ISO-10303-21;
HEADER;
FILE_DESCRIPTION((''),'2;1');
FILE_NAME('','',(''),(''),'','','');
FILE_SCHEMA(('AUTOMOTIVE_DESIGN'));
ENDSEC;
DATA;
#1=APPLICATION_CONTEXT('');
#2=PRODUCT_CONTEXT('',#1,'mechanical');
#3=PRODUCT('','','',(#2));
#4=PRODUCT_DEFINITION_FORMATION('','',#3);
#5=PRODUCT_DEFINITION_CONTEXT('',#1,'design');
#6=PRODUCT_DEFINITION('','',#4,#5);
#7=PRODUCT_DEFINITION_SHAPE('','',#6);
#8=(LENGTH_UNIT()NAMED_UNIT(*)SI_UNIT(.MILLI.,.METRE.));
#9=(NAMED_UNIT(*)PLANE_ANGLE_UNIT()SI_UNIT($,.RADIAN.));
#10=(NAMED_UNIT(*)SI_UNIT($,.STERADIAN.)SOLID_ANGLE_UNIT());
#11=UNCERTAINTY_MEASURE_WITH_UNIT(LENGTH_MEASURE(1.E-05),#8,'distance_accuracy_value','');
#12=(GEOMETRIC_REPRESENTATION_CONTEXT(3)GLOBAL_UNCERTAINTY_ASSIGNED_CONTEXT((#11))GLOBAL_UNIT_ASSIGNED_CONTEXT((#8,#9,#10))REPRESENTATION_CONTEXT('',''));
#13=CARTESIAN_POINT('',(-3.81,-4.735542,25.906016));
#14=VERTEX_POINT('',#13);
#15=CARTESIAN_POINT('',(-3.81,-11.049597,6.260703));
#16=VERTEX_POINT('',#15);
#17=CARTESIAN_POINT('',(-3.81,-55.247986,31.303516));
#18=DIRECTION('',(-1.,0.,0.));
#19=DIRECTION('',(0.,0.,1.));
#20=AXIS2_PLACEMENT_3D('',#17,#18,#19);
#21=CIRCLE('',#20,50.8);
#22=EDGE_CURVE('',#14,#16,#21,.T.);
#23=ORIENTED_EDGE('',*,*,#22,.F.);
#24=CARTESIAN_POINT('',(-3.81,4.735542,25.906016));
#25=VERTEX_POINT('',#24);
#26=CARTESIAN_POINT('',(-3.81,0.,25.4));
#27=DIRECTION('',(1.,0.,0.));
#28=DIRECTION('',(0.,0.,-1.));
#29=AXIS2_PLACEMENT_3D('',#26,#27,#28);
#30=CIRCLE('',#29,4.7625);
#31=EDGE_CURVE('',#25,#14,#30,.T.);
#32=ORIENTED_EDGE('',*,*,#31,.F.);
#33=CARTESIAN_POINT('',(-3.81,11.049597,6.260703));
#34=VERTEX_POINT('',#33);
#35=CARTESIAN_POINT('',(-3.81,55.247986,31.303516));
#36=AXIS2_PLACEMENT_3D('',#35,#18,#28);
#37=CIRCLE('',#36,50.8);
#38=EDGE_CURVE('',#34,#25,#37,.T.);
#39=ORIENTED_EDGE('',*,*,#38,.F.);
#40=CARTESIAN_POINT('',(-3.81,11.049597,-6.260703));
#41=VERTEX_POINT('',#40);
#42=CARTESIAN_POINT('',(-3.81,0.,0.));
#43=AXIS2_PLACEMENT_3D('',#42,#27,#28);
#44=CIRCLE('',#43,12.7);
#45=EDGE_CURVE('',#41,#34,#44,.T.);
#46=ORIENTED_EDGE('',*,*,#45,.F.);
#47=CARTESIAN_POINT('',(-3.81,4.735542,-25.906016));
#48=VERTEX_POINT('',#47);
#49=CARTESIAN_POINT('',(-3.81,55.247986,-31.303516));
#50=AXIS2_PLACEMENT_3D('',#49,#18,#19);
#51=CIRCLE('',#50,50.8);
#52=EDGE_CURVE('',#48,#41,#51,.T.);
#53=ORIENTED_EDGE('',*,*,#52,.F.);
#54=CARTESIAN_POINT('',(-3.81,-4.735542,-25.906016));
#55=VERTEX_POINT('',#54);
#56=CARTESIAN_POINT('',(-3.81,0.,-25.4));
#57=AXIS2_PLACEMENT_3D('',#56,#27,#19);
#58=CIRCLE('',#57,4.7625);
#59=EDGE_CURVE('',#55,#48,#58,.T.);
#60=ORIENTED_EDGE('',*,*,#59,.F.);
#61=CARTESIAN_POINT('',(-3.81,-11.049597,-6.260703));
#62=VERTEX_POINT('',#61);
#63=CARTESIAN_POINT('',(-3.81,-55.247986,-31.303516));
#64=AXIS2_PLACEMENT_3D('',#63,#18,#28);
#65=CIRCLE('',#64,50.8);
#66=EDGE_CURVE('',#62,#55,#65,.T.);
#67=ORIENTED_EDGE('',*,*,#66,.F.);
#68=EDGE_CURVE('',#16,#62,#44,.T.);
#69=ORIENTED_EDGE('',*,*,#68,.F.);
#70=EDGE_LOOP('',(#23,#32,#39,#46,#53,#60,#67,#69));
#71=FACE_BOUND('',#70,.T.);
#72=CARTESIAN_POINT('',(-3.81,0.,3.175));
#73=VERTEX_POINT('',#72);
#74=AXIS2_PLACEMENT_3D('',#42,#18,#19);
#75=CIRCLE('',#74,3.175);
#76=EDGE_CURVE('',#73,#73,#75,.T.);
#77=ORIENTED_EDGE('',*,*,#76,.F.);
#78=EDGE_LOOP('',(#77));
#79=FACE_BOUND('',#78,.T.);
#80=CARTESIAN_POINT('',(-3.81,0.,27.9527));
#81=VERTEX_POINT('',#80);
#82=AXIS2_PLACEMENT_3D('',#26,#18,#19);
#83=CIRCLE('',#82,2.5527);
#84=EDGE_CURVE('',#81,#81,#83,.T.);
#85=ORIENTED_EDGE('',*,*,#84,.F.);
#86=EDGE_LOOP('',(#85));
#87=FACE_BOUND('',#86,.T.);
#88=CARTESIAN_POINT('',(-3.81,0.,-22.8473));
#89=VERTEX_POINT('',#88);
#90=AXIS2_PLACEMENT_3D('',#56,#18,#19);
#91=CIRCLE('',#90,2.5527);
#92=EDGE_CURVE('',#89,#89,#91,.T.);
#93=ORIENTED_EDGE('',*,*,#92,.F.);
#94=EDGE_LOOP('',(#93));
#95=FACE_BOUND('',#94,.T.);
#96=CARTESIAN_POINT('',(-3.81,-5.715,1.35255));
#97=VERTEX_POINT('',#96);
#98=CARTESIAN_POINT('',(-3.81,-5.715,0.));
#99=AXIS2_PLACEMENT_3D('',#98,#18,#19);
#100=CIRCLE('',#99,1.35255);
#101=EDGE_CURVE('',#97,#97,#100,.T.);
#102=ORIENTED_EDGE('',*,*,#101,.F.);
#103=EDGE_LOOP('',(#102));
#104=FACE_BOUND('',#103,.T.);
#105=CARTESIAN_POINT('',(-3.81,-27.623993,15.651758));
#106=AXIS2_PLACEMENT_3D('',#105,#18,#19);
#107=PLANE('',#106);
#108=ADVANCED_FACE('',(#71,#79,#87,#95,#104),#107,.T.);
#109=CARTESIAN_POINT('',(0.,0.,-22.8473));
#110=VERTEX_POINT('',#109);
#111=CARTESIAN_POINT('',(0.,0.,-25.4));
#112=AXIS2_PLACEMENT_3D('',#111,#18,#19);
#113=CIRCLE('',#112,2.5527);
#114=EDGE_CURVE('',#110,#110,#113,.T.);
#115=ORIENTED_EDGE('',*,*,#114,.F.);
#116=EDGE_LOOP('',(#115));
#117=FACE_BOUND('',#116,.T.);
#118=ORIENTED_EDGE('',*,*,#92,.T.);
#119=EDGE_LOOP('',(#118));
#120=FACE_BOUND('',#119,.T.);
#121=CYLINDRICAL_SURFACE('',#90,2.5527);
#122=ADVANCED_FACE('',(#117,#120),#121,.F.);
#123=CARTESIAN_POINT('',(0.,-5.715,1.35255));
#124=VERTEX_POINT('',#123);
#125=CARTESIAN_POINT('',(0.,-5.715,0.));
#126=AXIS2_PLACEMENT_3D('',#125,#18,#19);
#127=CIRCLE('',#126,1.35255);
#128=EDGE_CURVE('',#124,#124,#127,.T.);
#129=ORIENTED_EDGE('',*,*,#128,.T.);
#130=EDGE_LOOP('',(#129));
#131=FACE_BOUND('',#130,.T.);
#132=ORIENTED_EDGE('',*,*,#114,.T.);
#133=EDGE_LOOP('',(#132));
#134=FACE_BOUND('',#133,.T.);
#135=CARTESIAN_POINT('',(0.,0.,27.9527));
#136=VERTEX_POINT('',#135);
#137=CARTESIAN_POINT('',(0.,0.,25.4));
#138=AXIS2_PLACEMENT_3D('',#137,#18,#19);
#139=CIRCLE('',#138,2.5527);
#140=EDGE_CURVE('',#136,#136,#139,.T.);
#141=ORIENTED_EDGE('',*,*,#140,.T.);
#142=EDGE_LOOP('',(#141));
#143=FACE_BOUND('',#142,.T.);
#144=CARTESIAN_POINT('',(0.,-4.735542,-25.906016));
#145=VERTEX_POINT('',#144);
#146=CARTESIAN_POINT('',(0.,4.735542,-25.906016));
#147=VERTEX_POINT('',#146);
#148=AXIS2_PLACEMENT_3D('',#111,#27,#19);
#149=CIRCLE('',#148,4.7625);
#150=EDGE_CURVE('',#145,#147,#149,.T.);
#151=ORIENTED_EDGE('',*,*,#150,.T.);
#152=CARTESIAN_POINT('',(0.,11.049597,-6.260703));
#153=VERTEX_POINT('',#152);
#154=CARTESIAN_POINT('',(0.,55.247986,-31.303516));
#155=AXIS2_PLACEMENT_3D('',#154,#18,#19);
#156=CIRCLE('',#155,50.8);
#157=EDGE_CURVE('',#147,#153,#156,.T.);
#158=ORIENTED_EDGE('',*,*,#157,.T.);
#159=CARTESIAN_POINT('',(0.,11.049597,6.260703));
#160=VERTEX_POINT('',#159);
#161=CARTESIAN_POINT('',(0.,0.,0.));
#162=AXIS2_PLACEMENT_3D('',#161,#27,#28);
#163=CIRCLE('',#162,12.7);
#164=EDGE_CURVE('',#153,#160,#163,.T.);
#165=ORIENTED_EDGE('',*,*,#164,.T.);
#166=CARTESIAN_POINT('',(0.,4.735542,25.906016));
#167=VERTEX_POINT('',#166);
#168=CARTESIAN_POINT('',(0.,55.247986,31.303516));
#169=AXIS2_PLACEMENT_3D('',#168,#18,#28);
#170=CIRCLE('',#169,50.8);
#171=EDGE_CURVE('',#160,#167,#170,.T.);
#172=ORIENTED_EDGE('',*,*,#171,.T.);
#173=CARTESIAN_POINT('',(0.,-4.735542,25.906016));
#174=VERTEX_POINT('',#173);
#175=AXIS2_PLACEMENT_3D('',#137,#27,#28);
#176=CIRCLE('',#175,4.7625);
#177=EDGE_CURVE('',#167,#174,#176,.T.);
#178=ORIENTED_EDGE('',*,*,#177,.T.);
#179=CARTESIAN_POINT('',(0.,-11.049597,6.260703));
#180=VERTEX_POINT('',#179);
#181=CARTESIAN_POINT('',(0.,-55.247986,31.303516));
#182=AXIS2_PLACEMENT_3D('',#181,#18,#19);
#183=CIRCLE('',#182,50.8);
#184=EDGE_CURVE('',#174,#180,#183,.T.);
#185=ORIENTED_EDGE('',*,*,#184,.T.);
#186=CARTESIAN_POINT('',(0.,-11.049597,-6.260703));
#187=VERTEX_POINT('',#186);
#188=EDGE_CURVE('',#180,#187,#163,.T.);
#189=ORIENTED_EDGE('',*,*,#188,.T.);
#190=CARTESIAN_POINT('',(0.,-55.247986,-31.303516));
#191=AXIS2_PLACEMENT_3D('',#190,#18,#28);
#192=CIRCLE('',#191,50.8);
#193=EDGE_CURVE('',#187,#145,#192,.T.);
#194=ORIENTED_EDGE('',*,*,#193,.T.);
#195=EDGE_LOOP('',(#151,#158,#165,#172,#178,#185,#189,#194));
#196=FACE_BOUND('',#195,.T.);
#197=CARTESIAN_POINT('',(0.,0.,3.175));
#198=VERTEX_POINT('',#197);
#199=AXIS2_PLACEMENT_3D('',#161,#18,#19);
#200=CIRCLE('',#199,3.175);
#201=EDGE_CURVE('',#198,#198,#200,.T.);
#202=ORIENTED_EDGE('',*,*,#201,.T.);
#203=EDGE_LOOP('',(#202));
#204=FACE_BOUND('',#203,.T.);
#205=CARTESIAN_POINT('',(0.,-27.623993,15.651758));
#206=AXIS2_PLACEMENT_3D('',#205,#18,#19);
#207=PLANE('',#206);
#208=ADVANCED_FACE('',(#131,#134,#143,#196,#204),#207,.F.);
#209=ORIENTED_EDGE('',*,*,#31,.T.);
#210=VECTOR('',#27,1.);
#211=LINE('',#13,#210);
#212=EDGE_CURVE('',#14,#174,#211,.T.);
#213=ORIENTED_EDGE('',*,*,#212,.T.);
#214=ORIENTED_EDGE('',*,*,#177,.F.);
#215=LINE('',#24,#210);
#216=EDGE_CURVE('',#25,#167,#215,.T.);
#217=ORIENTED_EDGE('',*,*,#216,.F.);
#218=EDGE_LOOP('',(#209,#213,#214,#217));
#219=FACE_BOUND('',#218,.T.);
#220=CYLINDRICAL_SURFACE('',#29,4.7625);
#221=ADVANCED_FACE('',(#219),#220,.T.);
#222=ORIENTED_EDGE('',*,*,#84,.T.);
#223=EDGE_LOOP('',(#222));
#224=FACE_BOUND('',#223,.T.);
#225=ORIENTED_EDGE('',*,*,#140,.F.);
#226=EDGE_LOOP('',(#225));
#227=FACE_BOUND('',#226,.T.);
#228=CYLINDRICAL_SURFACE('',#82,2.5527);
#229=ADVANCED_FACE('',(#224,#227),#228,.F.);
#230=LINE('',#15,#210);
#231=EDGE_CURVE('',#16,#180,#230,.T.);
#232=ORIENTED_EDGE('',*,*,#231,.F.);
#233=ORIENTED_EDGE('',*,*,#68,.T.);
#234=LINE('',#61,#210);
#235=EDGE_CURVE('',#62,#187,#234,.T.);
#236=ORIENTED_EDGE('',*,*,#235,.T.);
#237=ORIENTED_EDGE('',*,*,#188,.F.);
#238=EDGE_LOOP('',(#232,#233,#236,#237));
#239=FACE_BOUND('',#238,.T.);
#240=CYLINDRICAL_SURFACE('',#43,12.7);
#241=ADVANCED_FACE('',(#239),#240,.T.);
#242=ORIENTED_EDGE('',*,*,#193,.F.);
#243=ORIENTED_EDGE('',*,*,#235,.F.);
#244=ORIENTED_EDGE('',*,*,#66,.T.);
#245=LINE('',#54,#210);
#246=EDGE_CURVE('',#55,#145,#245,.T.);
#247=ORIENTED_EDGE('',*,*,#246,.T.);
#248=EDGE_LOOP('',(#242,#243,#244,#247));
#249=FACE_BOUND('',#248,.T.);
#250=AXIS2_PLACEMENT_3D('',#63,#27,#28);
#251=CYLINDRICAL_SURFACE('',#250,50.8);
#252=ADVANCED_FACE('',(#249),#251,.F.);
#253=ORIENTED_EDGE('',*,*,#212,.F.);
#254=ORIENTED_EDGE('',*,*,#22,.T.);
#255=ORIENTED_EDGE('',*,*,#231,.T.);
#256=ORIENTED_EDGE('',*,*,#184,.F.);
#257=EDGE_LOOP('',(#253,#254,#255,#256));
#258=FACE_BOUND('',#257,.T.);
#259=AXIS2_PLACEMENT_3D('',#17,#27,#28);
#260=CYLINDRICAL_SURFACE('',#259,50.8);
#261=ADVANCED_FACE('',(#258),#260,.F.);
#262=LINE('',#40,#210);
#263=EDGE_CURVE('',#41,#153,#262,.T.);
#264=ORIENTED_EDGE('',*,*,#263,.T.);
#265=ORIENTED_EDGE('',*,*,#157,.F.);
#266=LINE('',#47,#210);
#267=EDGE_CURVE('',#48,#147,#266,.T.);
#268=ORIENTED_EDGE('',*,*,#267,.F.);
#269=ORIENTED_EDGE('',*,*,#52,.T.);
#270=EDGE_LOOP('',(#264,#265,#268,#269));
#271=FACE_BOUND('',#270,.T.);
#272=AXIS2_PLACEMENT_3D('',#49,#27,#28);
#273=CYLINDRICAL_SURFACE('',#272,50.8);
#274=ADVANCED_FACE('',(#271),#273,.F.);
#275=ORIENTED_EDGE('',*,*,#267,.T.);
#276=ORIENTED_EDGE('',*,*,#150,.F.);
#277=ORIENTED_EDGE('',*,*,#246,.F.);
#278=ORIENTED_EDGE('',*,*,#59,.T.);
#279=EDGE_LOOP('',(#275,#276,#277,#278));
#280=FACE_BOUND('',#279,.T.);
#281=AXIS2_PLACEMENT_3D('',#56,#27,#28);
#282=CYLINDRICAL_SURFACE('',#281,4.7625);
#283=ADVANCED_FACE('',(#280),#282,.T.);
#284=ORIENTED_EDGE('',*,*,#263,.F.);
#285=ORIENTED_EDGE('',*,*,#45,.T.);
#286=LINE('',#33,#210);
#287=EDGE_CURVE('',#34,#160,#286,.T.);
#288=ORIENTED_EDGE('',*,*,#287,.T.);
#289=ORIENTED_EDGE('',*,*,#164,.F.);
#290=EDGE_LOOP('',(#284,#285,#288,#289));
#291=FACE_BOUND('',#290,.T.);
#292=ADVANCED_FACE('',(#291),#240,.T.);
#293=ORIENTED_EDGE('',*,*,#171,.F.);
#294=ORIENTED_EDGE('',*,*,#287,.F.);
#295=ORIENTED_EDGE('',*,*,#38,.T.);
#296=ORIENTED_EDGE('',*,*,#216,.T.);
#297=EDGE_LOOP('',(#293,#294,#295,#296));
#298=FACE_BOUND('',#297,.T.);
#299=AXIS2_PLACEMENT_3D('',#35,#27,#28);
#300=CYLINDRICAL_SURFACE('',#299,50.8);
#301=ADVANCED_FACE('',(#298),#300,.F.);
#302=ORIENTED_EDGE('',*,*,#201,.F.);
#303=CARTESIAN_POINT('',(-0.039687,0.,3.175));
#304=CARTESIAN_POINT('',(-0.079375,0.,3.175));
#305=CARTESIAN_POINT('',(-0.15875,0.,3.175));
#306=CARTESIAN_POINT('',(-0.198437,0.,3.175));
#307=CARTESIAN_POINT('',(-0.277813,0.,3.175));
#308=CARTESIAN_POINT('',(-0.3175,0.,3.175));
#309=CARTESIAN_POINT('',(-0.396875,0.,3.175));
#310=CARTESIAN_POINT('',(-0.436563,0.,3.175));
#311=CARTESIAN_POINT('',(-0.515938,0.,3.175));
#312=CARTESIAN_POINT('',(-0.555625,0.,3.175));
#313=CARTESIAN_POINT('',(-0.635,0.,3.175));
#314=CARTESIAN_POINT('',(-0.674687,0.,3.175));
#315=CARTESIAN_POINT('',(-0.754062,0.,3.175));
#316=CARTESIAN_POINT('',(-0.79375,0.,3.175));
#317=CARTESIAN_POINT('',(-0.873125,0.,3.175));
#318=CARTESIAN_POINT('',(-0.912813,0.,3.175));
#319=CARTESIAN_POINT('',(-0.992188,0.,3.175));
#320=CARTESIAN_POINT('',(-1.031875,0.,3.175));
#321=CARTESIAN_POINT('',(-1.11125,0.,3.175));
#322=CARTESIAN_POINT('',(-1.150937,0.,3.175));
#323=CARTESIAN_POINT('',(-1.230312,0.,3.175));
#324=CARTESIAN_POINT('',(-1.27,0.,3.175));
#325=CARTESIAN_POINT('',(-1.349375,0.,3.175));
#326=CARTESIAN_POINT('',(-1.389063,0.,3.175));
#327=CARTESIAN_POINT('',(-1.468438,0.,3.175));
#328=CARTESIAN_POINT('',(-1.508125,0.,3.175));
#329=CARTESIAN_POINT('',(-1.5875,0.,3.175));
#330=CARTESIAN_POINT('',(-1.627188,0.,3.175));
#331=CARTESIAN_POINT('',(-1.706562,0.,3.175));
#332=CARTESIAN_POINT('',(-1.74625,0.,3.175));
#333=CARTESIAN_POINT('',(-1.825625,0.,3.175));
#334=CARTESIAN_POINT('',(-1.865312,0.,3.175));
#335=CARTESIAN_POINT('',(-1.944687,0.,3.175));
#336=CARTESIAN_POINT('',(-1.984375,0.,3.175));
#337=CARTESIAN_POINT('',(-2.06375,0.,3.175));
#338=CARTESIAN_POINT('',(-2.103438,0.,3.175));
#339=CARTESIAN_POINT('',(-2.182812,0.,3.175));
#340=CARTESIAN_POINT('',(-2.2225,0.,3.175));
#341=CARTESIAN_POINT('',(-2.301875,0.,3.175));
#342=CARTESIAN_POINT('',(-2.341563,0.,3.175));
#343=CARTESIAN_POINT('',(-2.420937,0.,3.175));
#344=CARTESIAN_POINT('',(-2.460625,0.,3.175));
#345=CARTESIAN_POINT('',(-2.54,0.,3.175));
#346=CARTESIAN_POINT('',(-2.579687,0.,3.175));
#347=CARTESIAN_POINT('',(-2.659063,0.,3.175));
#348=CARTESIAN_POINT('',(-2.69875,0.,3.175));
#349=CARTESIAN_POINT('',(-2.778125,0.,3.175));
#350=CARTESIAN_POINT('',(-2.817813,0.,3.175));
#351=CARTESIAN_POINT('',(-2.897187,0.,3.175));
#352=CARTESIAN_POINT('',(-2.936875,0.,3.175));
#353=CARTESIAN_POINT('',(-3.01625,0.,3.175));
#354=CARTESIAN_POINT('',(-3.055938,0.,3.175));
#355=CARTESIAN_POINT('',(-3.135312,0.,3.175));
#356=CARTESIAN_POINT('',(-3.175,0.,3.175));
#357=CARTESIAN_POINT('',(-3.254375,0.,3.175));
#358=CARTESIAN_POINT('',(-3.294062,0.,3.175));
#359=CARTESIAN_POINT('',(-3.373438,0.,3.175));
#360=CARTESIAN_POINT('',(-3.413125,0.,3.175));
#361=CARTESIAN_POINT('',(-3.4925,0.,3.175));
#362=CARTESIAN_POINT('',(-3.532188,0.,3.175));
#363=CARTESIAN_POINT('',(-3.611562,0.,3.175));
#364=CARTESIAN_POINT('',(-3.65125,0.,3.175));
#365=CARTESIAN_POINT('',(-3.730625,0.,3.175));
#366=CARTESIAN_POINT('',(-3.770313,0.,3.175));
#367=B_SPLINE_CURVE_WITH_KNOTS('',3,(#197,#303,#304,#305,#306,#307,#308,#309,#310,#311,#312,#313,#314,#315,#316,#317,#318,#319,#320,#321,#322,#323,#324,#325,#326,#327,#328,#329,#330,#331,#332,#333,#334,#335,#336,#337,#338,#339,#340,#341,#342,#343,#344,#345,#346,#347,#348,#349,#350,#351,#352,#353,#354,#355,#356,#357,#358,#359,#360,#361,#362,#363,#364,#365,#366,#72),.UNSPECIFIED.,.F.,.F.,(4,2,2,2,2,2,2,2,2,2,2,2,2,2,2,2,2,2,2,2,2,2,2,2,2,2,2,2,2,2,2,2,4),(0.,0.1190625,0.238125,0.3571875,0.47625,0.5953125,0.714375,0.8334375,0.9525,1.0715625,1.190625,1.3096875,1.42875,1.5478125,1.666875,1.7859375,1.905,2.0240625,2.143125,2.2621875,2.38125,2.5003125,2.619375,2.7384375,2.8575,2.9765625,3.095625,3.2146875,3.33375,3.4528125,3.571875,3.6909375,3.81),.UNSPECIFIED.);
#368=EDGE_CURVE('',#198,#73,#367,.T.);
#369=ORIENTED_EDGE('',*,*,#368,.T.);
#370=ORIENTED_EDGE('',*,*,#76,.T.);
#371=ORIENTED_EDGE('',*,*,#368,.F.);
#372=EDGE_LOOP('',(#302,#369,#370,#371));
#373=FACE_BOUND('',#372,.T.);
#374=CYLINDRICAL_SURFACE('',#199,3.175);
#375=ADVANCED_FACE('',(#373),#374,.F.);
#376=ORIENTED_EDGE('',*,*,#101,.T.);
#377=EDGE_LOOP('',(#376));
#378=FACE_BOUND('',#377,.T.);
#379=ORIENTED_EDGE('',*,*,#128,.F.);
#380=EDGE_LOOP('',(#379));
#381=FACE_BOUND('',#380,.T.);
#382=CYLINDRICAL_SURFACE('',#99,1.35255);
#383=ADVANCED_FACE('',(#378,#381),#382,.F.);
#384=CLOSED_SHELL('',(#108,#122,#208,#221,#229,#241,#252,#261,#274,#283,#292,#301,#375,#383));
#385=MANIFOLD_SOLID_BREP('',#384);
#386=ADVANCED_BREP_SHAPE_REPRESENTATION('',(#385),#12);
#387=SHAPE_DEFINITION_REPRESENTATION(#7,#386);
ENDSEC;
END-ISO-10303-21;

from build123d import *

# Parameters (mm, degrees)
BOSS_EXTRUDE1_DEPTH    = 3.81
F_10_CLEARANCE_HOLE1_D = 5.1054
F_6_32_TAPPED_HOLE1_D  = 2.7051
SKETCH4_R              = 3.175
CUT_EXTRUDE1_DEPTH     = 33.948179104


with BuildPart() as part:
    # Sketch1 → Boss-Extrude1 (new body)
    with BuildSketch(Plane(origin=(0, 0, 0), x_dir=(0, 0, -1), z_dir=(1, 0, 0))):
        with BuildLine():
            ThreePointArc((-25.906015625, 4.73554162), (-30.1625, 0), (-25.906015625, -4.73554162))
            ThreePointArc((-25.906015625, -4.73554162), (-15.759385528, -6.884569442), (-6.260703125, -11.049597114))
            ThreePointArc((-6.260703125, -11.049597114), (0, -12.7), (6.260703125, -11.049597114))
            ThreePointArc((6.260703125, -11.049597114), (15.759385528, -6.884569442), (25.906015625, -4.73554162))
            ThreePointArc((25.906015625, -4.73554162), (30.1625, 0), (25.906015625, 4.73554162))
            ThreePointArc((25.906015625, 4.73554162), (15.759385528, 6.884569442), (6.260703125, 11.049597114))
            ThreePointArc((6.260703125, 11.049597114), (0, 12.7), (-6.260703125, 11.049597114))
            ThreePointArc((-6.260703125, 11.049597114), (-15.759385528, 6.884569442), (-25.906015625, 4.73554162))
        make_face()
    extrude(amount=-BOSS_EXTRUDE1_DEPTH)

    # #10 Clearance Hole1 (through all)
    with Locations(Plane.ZY.offset(3.81)):
        with Locations((-25.4, 0), (25.4, 0)):
            Hole(F_10_CLEARANCE_HOLE1_D / 2)

    # #6-32 Tapped Hole1 (through all)
    with Locations(Plane.ZY.offset(3.81)):
        with Locations((0, -5.715)):
            Hole(F_6_32_TAPPED_HOLE1_D / 2)

    # Sketch4 → Cut-Extrude1 (cut, through all)
    with BuildSketch(Plane.ZY.offset(3.81)):
        Circle(SKETCH4_R)
    extrude(amount=-CUT_EXTRUDE1_DEPTH, mode=Mode.SUBTRACT)


solid = part.part
